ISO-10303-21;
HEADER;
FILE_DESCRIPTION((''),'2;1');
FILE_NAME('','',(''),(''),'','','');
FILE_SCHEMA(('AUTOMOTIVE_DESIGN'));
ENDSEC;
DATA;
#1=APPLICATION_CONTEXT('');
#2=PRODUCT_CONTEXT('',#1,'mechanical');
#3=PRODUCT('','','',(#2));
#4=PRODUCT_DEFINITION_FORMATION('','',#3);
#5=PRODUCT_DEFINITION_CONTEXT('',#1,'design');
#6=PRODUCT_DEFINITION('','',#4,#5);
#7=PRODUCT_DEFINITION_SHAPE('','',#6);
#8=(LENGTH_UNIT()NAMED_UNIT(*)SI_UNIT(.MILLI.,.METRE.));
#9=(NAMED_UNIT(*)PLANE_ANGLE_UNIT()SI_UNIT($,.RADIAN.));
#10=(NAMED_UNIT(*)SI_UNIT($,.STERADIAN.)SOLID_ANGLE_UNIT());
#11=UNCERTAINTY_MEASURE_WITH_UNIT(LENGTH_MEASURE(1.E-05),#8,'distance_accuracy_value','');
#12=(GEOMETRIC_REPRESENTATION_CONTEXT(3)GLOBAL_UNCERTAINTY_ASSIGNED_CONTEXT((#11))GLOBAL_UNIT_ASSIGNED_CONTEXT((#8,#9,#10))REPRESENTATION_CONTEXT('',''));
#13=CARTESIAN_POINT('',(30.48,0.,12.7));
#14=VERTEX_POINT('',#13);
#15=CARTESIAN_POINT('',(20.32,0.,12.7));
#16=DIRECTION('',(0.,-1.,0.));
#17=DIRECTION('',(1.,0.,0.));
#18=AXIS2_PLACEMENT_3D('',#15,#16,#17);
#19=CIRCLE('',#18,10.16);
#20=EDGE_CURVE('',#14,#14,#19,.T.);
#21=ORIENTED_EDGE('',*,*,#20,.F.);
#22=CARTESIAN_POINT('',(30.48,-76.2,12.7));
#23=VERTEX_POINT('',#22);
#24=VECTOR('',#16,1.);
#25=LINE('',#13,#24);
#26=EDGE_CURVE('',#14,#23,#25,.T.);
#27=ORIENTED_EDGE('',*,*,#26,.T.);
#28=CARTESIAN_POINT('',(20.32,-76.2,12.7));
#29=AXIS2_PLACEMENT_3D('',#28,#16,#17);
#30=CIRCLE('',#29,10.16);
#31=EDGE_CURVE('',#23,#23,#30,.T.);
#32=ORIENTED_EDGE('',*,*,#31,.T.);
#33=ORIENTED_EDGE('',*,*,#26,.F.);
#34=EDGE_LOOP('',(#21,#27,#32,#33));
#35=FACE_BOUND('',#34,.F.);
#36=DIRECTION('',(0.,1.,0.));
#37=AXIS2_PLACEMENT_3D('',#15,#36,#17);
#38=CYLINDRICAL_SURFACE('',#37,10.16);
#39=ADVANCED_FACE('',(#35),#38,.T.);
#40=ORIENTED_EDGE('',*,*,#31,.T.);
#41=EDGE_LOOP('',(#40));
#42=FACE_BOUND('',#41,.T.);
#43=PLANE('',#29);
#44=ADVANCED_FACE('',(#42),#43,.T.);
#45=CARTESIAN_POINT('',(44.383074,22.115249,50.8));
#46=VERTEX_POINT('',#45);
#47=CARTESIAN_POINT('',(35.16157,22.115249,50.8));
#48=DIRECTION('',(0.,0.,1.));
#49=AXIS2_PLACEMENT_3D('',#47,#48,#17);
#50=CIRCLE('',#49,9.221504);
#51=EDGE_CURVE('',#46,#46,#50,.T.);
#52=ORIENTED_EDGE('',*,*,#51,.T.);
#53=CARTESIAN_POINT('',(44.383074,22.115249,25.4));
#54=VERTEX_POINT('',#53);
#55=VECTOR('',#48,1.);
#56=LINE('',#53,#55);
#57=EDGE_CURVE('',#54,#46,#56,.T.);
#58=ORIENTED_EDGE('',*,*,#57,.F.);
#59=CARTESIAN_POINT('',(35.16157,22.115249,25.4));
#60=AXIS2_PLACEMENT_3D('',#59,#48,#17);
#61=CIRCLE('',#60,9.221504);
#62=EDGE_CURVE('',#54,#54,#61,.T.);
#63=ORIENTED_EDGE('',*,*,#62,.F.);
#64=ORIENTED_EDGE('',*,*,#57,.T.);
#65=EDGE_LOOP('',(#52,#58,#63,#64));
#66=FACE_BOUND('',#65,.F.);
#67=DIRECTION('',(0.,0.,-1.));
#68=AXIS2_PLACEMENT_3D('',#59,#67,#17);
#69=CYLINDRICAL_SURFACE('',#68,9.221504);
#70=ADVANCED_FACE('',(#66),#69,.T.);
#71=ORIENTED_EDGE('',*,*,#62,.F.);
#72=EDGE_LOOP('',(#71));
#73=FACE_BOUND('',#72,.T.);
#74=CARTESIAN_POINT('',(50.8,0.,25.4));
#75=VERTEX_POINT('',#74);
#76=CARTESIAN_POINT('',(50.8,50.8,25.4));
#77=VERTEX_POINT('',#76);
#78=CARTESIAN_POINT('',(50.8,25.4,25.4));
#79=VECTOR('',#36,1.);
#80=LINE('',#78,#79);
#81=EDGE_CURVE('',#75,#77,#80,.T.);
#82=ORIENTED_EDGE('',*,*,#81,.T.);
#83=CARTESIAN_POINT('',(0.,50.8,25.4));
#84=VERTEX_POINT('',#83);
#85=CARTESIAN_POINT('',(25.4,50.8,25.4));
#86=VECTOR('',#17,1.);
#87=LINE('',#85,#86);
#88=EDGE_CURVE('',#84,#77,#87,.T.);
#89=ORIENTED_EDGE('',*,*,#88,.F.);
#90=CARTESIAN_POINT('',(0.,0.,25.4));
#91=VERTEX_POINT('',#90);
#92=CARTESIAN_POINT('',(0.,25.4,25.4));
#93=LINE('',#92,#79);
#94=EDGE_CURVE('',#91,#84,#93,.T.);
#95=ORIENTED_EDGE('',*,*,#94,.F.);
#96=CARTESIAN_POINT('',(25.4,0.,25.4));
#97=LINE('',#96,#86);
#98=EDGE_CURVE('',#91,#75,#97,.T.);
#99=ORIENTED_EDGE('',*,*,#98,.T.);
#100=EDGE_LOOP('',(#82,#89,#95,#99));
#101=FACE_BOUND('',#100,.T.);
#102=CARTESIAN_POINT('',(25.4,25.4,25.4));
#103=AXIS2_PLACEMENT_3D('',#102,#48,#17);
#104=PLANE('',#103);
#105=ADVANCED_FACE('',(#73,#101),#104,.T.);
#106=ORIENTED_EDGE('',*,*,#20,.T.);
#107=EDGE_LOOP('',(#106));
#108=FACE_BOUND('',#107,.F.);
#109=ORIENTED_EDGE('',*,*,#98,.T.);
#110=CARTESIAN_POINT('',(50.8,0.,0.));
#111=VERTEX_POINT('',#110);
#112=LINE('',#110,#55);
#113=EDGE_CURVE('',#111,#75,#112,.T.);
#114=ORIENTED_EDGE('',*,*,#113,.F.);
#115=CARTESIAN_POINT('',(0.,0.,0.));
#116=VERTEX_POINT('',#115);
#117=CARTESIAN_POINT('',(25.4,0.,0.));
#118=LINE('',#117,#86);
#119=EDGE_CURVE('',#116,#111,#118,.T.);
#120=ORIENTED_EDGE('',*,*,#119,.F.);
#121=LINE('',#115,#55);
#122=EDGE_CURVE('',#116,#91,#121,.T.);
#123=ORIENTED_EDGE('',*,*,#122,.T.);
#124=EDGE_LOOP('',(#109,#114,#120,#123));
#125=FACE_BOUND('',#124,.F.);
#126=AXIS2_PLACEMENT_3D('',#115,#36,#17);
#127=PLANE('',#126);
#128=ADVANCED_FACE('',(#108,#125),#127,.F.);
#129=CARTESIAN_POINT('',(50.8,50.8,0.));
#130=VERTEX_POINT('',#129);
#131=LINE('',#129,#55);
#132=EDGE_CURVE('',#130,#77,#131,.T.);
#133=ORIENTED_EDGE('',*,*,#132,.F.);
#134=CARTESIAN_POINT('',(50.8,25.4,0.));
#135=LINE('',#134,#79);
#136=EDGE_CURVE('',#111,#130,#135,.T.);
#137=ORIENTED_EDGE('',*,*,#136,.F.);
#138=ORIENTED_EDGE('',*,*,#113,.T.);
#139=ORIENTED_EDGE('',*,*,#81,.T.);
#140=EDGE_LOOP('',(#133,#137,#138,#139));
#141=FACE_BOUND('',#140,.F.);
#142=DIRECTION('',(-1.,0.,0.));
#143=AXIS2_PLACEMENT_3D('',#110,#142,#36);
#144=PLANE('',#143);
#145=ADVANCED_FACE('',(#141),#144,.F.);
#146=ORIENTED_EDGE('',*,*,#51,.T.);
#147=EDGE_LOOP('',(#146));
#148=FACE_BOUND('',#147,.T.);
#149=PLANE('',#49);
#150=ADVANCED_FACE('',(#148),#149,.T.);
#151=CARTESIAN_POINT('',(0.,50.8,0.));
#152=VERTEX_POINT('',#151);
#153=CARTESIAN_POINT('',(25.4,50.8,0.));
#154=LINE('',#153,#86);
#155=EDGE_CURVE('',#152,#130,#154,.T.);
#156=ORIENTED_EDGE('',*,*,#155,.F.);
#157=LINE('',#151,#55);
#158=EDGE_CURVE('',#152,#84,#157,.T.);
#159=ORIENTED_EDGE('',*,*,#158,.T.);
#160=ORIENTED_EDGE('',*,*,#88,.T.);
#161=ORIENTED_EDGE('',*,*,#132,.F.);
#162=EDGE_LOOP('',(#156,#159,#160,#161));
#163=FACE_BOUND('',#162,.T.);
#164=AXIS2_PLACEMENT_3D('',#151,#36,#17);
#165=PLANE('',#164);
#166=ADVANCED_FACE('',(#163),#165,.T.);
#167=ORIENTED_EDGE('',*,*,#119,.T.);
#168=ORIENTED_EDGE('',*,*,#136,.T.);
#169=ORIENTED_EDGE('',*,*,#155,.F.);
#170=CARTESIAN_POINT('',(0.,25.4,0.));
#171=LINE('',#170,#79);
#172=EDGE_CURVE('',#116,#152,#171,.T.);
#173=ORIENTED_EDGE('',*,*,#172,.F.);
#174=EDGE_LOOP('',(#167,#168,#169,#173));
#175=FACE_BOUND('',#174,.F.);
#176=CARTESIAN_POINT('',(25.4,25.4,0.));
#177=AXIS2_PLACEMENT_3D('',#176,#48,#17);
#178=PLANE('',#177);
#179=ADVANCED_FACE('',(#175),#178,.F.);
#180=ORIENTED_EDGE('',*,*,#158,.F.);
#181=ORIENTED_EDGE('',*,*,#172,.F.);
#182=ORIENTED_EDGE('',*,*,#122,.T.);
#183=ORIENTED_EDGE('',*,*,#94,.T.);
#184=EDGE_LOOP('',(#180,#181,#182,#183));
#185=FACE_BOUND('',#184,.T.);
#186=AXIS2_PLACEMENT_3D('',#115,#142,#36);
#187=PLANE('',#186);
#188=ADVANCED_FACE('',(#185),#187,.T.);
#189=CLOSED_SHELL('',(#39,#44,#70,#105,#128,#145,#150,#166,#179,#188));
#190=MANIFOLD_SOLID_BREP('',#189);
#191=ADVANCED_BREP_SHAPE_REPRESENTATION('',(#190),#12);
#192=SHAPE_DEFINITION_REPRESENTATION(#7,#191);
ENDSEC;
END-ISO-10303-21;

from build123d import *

# Parameters (mm, degrees)
F0_W     = 50.8
F0_H     = 50.8
F1_DEPTH = 25.4
F2_R     = 10.16
F3_DEPTH = 76.2
F4_R     = 9.221504
F5_DEPTH = 25.4


with BuildPart() as f1:
    # F0 (on Top) → F1 (new body)
    with BuildSketch(Plane.XY):
        with Locations((25.4, 25.4)):
            Rectangle(F0_W, F0_H)
    extrude(amount=F1_DEPTH)

    # F2 (on face) → F3 (join)
    with BuildSketch(Plane.XZ):
        with Locations((20.32, 12.7)):
            Circle(F2_R)
    extrude(amount=F3_DEPTH)

    # F4 (on face) → F5 (join)
    with BuildSketch(Plane.XY.offset(25.4)):
        with Locations((35.16157, 22.115249)):
            Circle(F4_R)
    extrude(amount=F5_DEPTH)


solid = f1.part
